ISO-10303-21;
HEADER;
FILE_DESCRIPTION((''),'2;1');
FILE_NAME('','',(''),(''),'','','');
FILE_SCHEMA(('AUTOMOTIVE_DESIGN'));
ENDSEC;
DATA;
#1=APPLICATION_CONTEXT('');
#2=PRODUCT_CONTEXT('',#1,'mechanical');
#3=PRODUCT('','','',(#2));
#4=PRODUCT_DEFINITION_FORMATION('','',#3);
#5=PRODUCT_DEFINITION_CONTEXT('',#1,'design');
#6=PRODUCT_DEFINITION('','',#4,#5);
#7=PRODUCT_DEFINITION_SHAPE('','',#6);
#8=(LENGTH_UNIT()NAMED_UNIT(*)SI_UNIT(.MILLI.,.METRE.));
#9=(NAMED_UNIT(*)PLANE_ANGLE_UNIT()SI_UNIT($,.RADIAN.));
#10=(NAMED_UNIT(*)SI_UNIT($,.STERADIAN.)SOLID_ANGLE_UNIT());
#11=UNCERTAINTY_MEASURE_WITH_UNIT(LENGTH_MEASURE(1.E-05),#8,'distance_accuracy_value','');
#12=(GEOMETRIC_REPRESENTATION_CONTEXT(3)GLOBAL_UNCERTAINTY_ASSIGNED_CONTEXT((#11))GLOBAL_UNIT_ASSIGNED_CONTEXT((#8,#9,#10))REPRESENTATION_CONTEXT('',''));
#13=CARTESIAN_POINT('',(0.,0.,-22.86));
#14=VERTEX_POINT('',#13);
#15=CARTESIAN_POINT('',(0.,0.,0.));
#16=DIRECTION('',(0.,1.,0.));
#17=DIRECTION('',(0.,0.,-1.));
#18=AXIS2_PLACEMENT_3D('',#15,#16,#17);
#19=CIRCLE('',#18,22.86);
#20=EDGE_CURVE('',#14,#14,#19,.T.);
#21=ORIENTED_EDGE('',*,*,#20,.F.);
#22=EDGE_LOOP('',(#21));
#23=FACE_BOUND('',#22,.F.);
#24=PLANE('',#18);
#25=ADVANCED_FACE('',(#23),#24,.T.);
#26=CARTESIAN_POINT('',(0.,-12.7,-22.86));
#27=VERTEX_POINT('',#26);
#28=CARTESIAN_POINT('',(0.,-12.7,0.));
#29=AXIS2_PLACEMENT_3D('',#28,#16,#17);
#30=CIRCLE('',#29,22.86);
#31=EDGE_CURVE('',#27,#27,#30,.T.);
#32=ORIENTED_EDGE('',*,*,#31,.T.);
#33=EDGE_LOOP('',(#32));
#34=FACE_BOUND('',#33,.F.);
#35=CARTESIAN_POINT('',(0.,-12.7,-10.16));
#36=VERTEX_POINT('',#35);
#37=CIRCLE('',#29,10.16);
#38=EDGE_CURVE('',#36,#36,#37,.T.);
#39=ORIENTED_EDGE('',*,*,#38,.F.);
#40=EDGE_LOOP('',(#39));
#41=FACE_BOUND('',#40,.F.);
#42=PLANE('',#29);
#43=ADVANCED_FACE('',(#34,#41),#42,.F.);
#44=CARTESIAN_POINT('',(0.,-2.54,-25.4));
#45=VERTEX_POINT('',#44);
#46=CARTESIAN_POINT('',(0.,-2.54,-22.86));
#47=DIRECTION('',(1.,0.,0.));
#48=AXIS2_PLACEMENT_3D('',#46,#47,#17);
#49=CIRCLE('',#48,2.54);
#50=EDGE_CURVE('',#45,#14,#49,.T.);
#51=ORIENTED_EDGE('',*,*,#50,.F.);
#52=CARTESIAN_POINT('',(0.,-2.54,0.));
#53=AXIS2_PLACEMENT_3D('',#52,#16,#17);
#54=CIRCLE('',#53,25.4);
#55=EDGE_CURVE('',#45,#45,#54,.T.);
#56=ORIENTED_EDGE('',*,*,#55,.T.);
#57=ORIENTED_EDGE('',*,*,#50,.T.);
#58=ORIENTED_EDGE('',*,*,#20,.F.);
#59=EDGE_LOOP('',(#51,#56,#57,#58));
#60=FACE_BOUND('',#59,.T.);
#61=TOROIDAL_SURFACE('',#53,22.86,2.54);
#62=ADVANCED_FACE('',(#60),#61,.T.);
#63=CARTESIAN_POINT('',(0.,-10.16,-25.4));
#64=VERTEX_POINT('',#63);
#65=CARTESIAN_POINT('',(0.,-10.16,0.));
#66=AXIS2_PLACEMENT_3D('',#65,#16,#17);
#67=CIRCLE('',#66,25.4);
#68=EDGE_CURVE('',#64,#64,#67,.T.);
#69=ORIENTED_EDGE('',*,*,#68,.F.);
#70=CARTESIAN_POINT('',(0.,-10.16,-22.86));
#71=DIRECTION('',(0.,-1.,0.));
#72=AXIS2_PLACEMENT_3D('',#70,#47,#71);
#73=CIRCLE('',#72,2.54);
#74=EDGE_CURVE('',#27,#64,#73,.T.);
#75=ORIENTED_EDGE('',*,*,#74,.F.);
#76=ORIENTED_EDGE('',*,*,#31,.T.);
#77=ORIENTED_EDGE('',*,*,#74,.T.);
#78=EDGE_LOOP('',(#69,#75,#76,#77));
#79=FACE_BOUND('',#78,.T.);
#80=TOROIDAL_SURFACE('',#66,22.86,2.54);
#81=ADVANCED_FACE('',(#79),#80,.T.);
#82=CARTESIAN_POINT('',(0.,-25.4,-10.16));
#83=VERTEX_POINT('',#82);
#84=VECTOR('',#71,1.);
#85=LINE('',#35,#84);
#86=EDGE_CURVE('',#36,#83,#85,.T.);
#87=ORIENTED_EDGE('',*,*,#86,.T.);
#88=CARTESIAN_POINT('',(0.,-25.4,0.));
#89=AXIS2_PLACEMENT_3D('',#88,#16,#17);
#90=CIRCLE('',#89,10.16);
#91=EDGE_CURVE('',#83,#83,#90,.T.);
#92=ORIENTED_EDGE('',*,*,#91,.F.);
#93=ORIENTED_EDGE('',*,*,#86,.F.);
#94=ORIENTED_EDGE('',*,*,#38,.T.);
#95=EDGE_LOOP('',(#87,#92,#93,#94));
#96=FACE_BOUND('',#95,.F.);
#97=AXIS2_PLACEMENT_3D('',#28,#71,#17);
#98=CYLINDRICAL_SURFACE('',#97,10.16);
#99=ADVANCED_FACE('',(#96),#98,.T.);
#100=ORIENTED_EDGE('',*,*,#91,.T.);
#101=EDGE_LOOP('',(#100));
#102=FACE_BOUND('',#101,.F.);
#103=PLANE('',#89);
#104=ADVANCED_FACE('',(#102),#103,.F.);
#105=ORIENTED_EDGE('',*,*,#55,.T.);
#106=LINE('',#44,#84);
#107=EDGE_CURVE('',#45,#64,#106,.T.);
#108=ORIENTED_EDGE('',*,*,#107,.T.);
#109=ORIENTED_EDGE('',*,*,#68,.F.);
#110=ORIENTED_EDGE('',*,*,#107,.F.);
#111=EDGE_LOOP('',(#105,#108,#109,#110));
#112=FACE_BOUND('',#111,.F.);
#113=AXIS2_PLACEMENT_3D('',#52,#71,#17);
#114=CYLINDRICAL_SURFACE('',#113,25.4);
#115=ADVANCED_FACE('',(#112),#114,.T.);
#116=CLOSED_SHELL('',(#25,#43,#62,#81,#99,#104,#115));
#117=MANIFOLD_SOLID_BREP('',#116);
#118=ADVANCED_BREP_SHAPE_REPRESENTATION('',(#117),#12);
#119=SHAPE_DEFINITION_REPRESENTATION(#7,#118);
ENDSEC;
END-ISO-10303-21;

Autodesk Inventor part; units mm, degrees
ref_plane "YZ Plane" through (0, 0, 0) normal (1, 0, 0) x (0, 1, 0)
ref_plane "XZ Plane" through (0, 0, 0) normal (0, 1, 0) x (-1, 0, 0)
ref_plane "XY Plane" through (0, 0, 0) normal (0, 0, 1) x (1, 0, 0)
sketch "Sketch1" plane through (0, 0, 0) normal (1, 0, 0) x (0, 1, 0)
  line L0 (0, 0) -> (0, -22.86)
  line L1 (-2.54, -25.4) -> (-10.16, -25.4)
  line L2 (-12.7, -22.86) -> (-12.7, -10.16)
  line L3 (-12.7, -10.16) -> (-25.4, -10.16)
  line L4 (-25.4, -10.16) -> (-25.4, 0)
  line L5 (-25.4, 0) -> (0, 0)
  arc A0 (-2.54, -25.4) -> (0, -22.86) centre (-2.54, -22.86) ccw
  arc A1 (-12.7, -22.86) -> (-10.16, -25.4) centre (-10.16, -22.86) ccw
  point P0 (0, -25.4)
  point P1 (-12.7, -25.4)
  dimension "d0" = 25.4
  dimension "d1" = 10.16
  dimension "d2" = 12.7
  dimension "d3" = 25.4
  dimension "d4" = 2.54
revolve "Revolution1" add sketch "Sketch1" angle 360 about axis through (0, -25.4, 0) along (0, 1, 0)
properties part number "Fixture_Knob_1"
